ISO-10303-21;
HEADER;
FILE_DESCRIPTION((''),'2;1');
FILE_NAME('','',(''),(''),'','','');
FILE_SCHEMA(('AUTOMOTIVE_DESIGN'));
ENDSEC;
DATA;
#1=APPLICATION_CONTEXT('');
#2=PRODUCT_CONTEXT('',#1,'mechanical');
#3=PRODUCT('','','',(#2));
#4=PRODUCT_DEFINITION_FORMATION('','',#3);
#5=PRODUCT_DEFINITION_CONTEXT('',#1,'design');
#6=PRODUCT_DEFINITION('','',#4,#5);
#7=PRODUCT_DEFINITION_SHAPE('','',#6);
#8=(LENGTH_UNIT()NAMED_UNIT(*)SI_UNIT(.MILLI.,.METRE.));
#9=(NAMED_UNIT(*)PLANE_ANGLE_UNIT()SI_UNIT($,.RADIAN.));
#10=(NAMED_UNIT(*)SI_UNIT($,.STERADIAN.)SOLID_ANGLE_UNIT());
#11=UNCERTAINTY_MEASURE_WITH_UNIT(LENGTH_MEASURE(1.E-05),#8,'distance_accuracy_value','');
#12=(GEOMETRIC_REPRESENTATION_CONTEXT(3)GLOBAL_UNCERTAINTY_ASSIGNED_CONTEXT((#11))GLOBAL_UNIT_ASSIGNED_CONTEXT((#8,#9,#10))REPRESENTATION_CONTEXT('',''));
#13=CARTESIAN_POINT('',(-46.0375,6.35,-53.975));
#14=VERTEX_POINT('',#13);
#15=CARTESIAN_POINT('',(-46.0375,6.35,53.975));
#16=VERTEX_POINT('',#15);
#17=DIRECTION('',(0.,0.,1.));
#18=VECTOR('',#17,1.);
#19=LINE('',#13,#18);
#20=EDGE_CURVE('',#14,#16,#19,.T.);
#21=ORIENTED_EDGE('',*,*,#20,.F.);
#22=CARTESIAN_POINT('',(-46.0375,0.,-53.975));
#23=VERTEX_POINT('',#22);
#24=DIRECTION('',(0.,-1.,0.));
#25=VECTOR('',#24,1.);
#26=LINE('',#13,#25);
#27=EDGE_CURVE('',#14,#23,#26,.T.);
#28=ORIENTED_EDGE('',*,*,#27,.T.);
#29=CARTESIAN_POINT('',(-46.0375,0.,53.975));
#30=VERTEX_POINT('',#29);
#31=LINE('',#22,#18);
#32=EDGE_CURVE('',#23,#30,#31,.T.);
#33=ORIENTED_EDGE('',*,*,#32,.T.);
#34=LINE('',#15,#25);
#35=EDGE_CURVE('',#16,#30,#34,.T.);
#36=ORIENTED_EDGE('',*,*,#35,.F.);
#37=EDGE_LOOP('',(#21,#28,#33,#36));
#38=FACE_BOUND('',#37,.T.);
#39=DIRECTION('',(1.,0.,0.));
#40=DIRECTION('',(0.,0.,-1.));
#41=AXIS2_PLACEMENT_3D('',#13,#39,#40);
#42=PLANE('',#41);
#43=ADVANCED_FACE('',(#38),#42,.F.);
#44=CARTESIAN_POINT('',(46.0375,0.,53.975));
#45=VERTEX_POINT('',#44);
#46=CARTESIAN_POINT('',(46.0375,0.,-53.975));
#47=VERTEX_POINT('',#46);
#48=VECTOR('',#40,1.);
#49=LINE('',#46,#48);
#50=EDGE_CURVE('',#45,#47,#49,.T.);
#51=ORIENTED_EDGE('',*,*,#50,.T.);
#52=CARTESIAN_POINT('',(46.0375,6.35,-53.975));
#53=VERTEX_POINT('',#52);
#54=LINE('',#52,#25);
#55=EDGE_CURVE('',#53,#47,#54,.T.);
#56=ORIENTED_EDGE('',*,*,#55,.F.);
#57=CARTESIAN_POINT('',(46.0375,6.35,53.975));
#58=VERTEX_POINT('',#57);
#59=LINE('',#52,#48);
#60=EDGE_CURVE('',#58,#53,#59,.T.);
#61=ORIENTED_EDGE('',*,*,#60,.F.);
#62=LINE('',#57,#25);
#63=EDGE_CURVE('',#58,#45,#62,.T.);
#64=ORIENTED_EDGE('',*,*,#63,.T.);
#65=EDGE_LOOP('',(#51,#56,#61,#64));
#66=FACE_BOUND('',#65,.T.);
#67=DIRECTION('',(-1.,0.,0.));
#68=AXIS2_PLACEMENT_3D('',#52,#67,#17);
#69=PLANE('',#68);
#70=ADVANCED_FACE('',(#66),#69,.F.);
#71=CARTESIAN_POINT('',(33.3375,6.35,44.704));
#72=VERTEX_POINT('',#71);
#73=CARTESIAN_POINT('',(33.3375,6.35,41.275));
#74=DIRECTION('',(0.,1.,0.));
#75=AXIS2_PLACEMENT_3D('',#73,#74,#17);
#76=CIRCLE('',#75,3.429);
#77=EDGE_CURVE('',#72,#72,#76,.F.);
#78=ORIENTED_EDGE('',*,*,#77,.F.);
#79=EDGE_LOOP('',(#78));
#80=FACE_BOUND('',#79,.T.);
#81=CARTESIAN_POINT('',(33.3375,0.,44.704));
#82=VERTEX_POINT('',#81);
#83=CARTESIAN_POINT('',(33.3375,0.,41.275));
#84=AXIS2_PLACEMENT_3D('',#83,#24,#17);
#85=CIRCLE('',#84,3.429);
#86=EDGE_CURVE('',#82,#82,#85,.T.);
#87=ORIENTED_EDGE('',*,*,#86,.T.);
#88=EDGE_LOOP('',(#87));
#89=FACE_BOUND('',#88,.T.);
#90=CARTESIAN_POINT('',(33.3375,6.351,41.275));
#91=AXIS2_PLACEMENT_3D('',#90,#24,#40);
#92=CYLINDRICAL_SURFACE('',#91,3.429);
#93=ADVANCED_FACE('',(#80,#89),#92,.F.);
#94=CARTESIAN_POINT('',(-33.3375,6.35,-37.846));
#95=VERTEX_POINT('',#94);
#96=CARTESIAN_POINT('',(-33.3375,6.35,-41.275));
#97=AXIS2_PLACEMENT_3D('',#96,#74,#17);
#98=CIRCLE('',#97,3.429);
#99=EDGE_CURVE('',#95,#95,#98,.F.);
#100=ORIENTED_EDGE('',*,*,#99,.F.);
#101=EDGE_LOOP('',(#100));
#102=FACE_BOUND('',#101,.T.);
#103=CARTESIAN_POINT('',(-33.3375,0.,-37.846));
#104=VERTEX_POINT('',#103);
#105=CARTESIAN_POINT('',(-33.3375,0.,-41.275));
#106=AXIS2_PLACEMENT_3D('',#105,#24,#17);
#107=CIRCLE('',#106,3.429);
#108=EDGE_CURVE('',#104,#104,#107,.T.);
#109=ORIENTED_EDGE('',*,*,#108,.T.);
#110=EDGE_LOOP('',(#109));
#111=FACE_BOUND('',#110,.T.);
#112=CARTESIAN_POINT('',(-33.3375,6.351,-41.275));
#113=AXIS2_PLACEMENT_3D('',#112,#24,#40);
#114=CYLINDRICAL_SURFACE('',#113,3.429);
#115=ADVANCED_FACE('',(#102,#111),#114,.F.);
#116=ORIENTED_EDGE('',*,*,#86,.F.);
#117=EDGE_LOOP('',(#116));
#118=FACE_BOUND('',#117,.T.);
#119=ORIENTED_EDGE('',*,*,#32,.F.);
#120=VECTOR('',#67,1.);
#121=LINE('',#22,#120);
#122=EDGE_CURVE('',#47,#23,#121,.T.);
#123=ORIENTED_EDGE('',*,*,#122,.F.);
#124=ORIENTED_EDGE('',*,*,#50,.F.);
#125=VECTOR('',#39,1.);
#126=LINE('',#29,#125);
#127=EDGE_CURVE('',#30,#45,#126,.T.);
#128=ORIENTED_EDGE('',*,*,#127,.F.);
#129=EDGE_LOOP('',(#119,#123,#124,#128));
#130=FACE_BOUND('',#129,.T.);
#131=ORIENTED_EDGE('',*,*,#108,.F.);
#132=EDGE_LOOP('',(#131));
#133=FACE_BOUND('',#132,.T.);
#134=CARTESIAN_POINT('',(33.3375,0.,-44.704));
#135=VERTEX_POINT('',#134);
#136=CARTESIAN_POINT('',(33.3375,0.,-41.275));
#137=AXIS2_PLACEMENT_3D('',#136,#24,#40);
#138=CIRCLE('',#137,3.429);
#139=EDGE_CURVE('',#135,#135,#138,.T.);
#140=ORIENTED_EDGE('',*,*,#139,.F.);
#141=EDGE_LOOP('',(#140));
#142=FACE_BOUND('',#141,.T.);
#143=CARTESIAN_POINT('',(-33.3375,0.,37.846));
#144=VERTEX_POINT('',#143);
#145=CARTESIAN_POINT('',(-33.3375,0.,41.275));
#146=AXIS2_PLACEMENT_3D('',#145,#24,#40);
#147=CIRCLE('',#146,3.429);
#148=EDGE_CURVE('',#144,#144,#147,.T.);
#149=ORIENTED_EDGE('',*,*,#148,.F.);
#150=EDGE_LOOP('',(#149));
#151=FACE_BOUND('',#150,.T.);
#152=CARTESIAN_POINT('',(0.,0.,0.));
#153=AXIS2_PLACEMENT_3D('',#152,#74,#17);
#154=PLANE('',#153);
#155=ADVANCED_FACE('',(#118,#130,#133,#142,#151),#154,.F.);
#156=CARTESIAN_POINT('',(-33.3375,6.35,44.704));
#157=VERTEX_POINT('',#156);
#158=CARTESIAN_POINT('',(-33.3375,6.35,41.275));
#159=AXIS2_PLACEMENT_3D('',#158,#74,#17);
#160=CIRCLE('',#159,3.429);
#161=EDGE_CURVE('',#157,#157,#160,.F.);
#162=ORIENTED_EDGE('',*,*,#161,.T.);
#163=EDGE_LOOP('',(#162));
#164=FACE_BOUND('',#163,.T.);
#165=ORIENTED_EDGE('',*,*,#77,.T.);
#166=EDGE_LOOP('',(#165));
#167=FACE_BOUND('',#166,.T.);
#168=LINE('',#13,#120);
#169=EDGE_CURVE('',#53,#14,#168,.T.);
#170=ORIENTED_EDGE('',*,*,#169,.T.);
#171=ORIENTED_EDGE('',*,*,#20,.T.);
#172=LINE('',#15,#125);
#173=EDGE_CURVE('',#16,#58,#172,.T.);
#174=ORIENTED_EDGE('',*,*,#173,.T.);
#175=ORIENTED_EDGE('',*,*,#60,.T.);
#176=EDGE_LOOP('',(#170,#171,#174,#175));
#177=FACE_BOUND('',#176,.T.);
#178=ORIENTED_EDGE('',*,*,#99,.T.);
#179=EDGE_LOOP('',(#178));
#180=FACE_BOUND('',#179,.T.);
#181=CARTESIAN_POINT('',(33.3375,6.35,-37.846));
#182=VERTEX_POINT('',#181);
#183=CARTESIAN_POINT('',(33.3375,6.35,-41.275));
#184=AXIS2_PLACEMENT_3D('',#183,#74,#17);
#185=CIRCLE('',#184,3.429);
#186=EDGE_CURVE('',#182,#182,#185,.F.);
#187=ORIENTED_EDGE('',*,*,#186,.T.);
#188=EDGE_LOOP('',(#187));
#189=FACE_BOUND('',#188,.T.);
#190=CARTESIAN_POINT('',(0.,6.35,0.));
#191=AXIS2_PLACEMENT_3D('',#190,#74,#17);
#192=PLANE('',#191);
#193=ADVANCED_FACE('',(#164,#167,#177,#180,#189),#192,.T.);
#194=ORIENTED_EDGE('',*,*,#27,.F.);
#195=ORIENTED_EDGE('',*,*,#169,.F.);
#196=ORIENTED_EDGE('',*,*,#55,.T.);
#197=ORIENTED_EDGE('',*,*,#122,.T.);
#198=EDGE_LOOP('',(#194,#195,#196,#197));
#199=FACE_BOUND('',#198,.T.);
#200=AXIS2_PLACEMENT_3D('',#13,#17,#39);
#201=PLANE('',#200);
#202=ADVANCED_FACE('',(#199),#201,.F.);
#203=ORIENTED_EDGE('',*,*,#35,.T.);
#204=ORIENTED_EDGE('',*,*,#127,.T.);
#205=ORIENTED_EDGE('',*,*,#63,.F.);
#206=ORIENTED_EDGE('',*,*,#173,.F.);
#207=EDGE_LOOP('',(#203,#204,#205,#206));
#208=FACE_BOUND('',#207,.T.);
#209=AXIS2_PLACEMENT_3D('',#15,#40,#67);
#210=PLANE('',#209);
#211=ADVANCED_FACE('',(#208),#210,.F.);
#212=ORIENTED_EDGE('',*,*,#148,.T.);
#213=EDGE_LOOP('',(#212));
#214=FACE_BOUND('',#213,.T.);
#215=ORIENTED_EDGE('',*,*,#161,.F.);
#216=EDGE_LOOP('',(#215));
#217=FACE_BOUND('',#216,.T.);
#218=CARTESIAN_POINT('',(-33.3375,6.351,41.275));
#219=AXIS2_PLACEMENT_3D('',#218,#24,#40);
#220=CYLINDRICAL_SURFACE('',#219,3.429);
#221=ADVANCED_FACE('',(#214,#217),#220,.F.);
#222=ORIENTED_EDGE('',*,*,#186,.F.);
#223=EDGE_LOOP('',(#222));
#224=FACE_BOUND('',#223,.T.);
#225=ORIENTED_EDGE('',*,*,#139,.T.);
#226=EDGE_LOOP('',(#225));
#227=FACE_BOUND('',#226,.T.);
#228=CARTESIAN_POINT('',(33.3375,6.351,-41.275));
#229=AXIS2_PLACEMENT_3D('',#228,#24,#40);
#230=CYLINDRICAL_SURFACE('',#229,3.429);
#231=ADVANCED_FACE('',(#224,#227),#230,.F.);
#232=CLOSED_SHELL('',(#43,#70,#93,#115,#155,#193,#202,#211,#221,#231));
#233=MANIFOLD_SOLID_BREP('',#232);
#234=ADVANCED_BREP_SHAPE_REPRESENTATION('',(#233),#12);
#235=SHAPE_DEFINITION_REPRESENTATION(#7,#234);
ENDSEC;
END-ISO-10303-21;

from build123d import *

# Parameters (mm, degrees)
SKETCH1_W           = 92.075
SKETCH1_H           = 107.95
BOSS_EXTRUDE1_DEPTH = 6.35
CUT_EXTRUDE2_REACH  = 73.226
SKETCH3_R           = 3.429


with BuildPart() as part:
    # Sketch1 → Boss-Extrude1 (new body)
    with BuildSketch(Plane(origin=(0, 0, 0), x_dir=(1, 0, 0), z_dir=(0, 1, 0))):
        Rectangle(SKETCH1_W, SKETCH1_H)
    extrude(amount=BOSS_EXTRUDE1_DEPTH)

    # Sketch3 → Cut-Extrude2 (cut, up to next)
    with BuildSketch(Plane.XZ, mode=Mode.PRIVATE) as cut_extrude2_sk1:
        with Locations(Location((-33.3375, 41.275, 0), (0, 0, 270))):
            Circle(SKETCH3_R)
    cut_extrude2_tool1 = extrude(cut_extrude2_sk1.sketch, amount=-CUT_EXTRUDE2_REACH, mode=Mode.PRIVATE) & part.part
    # Sketch3 → Cut-Extrude2 (cut, up to next)
    with BuildSketch(Plane.XZ, mode=Mode.PRIVATE) as cut_extrude2_sk2:
        with Locations(Location((-33.3375, -41.275, 0), (0, 0, 90))):
            Circle(SKETCH3_R)
    cut_extrude2_tool2 = extrude(cut_extrude2_sk2.sketch, amount=-CUT_EXTRUDE2_REACH, mode=Mode.PRIVATE) & part.part
    # Sketch3 → Cut-Extrude2 (cut, up to next)
    with BuildSketch(Plane.XZ, mode=Mode.PRIVATE) as cut_extrude2_sk3:
        with Locations(Location((33.3375, 41.275, 0), (0, 0, 90))):
            Circle(SKETCH3_R)
    cut_extrude2_tool3 = extrude(cut_extrude2_sk3.sketch, amount=-CUT_EXTRUDE2_REACH, mode=Mode.PRIVATE) & part.part
    # Sketch3 → Cut-Extrude2 (cut, up to next)
    with BuildSketch(Plane.XZ, mode=Mode.PRIVATE) as cut_extrude2_sk4:
        with Locations(Location((33.3375, -41.275, 0), (0, 0, 270))):
            Circle(SKETCH3_R)
    cut_extrude2_tool4 = extrude(cut_extrude2_sk4.sketch, amount=-CUT_EXTRUDE2_REACH, mode=Mode.PRIVATE) & part.part
    add(cut_extrude2_tool1.solids().sort_by_distance((-33.3375, 0, 41.275))[0], mode=Mode.SUBTRACT)
    add(cut_extrude2_tool2.solids().sort_by_distance((-33.3375, 0, -41.275))[0], mode=Mode.SUBTRACT)
    add(cut_extrude2_tool3.solids().sort_by_distance((33.3375, 0, 41.275))[0], mode=Mode.SUBTRACT)
    add(cut_extrude2_tool4.solids().sort_by_distance((33.3375, 0, -41.275))[0], mode=Mode.SUBTRACT)


solid = part.part
